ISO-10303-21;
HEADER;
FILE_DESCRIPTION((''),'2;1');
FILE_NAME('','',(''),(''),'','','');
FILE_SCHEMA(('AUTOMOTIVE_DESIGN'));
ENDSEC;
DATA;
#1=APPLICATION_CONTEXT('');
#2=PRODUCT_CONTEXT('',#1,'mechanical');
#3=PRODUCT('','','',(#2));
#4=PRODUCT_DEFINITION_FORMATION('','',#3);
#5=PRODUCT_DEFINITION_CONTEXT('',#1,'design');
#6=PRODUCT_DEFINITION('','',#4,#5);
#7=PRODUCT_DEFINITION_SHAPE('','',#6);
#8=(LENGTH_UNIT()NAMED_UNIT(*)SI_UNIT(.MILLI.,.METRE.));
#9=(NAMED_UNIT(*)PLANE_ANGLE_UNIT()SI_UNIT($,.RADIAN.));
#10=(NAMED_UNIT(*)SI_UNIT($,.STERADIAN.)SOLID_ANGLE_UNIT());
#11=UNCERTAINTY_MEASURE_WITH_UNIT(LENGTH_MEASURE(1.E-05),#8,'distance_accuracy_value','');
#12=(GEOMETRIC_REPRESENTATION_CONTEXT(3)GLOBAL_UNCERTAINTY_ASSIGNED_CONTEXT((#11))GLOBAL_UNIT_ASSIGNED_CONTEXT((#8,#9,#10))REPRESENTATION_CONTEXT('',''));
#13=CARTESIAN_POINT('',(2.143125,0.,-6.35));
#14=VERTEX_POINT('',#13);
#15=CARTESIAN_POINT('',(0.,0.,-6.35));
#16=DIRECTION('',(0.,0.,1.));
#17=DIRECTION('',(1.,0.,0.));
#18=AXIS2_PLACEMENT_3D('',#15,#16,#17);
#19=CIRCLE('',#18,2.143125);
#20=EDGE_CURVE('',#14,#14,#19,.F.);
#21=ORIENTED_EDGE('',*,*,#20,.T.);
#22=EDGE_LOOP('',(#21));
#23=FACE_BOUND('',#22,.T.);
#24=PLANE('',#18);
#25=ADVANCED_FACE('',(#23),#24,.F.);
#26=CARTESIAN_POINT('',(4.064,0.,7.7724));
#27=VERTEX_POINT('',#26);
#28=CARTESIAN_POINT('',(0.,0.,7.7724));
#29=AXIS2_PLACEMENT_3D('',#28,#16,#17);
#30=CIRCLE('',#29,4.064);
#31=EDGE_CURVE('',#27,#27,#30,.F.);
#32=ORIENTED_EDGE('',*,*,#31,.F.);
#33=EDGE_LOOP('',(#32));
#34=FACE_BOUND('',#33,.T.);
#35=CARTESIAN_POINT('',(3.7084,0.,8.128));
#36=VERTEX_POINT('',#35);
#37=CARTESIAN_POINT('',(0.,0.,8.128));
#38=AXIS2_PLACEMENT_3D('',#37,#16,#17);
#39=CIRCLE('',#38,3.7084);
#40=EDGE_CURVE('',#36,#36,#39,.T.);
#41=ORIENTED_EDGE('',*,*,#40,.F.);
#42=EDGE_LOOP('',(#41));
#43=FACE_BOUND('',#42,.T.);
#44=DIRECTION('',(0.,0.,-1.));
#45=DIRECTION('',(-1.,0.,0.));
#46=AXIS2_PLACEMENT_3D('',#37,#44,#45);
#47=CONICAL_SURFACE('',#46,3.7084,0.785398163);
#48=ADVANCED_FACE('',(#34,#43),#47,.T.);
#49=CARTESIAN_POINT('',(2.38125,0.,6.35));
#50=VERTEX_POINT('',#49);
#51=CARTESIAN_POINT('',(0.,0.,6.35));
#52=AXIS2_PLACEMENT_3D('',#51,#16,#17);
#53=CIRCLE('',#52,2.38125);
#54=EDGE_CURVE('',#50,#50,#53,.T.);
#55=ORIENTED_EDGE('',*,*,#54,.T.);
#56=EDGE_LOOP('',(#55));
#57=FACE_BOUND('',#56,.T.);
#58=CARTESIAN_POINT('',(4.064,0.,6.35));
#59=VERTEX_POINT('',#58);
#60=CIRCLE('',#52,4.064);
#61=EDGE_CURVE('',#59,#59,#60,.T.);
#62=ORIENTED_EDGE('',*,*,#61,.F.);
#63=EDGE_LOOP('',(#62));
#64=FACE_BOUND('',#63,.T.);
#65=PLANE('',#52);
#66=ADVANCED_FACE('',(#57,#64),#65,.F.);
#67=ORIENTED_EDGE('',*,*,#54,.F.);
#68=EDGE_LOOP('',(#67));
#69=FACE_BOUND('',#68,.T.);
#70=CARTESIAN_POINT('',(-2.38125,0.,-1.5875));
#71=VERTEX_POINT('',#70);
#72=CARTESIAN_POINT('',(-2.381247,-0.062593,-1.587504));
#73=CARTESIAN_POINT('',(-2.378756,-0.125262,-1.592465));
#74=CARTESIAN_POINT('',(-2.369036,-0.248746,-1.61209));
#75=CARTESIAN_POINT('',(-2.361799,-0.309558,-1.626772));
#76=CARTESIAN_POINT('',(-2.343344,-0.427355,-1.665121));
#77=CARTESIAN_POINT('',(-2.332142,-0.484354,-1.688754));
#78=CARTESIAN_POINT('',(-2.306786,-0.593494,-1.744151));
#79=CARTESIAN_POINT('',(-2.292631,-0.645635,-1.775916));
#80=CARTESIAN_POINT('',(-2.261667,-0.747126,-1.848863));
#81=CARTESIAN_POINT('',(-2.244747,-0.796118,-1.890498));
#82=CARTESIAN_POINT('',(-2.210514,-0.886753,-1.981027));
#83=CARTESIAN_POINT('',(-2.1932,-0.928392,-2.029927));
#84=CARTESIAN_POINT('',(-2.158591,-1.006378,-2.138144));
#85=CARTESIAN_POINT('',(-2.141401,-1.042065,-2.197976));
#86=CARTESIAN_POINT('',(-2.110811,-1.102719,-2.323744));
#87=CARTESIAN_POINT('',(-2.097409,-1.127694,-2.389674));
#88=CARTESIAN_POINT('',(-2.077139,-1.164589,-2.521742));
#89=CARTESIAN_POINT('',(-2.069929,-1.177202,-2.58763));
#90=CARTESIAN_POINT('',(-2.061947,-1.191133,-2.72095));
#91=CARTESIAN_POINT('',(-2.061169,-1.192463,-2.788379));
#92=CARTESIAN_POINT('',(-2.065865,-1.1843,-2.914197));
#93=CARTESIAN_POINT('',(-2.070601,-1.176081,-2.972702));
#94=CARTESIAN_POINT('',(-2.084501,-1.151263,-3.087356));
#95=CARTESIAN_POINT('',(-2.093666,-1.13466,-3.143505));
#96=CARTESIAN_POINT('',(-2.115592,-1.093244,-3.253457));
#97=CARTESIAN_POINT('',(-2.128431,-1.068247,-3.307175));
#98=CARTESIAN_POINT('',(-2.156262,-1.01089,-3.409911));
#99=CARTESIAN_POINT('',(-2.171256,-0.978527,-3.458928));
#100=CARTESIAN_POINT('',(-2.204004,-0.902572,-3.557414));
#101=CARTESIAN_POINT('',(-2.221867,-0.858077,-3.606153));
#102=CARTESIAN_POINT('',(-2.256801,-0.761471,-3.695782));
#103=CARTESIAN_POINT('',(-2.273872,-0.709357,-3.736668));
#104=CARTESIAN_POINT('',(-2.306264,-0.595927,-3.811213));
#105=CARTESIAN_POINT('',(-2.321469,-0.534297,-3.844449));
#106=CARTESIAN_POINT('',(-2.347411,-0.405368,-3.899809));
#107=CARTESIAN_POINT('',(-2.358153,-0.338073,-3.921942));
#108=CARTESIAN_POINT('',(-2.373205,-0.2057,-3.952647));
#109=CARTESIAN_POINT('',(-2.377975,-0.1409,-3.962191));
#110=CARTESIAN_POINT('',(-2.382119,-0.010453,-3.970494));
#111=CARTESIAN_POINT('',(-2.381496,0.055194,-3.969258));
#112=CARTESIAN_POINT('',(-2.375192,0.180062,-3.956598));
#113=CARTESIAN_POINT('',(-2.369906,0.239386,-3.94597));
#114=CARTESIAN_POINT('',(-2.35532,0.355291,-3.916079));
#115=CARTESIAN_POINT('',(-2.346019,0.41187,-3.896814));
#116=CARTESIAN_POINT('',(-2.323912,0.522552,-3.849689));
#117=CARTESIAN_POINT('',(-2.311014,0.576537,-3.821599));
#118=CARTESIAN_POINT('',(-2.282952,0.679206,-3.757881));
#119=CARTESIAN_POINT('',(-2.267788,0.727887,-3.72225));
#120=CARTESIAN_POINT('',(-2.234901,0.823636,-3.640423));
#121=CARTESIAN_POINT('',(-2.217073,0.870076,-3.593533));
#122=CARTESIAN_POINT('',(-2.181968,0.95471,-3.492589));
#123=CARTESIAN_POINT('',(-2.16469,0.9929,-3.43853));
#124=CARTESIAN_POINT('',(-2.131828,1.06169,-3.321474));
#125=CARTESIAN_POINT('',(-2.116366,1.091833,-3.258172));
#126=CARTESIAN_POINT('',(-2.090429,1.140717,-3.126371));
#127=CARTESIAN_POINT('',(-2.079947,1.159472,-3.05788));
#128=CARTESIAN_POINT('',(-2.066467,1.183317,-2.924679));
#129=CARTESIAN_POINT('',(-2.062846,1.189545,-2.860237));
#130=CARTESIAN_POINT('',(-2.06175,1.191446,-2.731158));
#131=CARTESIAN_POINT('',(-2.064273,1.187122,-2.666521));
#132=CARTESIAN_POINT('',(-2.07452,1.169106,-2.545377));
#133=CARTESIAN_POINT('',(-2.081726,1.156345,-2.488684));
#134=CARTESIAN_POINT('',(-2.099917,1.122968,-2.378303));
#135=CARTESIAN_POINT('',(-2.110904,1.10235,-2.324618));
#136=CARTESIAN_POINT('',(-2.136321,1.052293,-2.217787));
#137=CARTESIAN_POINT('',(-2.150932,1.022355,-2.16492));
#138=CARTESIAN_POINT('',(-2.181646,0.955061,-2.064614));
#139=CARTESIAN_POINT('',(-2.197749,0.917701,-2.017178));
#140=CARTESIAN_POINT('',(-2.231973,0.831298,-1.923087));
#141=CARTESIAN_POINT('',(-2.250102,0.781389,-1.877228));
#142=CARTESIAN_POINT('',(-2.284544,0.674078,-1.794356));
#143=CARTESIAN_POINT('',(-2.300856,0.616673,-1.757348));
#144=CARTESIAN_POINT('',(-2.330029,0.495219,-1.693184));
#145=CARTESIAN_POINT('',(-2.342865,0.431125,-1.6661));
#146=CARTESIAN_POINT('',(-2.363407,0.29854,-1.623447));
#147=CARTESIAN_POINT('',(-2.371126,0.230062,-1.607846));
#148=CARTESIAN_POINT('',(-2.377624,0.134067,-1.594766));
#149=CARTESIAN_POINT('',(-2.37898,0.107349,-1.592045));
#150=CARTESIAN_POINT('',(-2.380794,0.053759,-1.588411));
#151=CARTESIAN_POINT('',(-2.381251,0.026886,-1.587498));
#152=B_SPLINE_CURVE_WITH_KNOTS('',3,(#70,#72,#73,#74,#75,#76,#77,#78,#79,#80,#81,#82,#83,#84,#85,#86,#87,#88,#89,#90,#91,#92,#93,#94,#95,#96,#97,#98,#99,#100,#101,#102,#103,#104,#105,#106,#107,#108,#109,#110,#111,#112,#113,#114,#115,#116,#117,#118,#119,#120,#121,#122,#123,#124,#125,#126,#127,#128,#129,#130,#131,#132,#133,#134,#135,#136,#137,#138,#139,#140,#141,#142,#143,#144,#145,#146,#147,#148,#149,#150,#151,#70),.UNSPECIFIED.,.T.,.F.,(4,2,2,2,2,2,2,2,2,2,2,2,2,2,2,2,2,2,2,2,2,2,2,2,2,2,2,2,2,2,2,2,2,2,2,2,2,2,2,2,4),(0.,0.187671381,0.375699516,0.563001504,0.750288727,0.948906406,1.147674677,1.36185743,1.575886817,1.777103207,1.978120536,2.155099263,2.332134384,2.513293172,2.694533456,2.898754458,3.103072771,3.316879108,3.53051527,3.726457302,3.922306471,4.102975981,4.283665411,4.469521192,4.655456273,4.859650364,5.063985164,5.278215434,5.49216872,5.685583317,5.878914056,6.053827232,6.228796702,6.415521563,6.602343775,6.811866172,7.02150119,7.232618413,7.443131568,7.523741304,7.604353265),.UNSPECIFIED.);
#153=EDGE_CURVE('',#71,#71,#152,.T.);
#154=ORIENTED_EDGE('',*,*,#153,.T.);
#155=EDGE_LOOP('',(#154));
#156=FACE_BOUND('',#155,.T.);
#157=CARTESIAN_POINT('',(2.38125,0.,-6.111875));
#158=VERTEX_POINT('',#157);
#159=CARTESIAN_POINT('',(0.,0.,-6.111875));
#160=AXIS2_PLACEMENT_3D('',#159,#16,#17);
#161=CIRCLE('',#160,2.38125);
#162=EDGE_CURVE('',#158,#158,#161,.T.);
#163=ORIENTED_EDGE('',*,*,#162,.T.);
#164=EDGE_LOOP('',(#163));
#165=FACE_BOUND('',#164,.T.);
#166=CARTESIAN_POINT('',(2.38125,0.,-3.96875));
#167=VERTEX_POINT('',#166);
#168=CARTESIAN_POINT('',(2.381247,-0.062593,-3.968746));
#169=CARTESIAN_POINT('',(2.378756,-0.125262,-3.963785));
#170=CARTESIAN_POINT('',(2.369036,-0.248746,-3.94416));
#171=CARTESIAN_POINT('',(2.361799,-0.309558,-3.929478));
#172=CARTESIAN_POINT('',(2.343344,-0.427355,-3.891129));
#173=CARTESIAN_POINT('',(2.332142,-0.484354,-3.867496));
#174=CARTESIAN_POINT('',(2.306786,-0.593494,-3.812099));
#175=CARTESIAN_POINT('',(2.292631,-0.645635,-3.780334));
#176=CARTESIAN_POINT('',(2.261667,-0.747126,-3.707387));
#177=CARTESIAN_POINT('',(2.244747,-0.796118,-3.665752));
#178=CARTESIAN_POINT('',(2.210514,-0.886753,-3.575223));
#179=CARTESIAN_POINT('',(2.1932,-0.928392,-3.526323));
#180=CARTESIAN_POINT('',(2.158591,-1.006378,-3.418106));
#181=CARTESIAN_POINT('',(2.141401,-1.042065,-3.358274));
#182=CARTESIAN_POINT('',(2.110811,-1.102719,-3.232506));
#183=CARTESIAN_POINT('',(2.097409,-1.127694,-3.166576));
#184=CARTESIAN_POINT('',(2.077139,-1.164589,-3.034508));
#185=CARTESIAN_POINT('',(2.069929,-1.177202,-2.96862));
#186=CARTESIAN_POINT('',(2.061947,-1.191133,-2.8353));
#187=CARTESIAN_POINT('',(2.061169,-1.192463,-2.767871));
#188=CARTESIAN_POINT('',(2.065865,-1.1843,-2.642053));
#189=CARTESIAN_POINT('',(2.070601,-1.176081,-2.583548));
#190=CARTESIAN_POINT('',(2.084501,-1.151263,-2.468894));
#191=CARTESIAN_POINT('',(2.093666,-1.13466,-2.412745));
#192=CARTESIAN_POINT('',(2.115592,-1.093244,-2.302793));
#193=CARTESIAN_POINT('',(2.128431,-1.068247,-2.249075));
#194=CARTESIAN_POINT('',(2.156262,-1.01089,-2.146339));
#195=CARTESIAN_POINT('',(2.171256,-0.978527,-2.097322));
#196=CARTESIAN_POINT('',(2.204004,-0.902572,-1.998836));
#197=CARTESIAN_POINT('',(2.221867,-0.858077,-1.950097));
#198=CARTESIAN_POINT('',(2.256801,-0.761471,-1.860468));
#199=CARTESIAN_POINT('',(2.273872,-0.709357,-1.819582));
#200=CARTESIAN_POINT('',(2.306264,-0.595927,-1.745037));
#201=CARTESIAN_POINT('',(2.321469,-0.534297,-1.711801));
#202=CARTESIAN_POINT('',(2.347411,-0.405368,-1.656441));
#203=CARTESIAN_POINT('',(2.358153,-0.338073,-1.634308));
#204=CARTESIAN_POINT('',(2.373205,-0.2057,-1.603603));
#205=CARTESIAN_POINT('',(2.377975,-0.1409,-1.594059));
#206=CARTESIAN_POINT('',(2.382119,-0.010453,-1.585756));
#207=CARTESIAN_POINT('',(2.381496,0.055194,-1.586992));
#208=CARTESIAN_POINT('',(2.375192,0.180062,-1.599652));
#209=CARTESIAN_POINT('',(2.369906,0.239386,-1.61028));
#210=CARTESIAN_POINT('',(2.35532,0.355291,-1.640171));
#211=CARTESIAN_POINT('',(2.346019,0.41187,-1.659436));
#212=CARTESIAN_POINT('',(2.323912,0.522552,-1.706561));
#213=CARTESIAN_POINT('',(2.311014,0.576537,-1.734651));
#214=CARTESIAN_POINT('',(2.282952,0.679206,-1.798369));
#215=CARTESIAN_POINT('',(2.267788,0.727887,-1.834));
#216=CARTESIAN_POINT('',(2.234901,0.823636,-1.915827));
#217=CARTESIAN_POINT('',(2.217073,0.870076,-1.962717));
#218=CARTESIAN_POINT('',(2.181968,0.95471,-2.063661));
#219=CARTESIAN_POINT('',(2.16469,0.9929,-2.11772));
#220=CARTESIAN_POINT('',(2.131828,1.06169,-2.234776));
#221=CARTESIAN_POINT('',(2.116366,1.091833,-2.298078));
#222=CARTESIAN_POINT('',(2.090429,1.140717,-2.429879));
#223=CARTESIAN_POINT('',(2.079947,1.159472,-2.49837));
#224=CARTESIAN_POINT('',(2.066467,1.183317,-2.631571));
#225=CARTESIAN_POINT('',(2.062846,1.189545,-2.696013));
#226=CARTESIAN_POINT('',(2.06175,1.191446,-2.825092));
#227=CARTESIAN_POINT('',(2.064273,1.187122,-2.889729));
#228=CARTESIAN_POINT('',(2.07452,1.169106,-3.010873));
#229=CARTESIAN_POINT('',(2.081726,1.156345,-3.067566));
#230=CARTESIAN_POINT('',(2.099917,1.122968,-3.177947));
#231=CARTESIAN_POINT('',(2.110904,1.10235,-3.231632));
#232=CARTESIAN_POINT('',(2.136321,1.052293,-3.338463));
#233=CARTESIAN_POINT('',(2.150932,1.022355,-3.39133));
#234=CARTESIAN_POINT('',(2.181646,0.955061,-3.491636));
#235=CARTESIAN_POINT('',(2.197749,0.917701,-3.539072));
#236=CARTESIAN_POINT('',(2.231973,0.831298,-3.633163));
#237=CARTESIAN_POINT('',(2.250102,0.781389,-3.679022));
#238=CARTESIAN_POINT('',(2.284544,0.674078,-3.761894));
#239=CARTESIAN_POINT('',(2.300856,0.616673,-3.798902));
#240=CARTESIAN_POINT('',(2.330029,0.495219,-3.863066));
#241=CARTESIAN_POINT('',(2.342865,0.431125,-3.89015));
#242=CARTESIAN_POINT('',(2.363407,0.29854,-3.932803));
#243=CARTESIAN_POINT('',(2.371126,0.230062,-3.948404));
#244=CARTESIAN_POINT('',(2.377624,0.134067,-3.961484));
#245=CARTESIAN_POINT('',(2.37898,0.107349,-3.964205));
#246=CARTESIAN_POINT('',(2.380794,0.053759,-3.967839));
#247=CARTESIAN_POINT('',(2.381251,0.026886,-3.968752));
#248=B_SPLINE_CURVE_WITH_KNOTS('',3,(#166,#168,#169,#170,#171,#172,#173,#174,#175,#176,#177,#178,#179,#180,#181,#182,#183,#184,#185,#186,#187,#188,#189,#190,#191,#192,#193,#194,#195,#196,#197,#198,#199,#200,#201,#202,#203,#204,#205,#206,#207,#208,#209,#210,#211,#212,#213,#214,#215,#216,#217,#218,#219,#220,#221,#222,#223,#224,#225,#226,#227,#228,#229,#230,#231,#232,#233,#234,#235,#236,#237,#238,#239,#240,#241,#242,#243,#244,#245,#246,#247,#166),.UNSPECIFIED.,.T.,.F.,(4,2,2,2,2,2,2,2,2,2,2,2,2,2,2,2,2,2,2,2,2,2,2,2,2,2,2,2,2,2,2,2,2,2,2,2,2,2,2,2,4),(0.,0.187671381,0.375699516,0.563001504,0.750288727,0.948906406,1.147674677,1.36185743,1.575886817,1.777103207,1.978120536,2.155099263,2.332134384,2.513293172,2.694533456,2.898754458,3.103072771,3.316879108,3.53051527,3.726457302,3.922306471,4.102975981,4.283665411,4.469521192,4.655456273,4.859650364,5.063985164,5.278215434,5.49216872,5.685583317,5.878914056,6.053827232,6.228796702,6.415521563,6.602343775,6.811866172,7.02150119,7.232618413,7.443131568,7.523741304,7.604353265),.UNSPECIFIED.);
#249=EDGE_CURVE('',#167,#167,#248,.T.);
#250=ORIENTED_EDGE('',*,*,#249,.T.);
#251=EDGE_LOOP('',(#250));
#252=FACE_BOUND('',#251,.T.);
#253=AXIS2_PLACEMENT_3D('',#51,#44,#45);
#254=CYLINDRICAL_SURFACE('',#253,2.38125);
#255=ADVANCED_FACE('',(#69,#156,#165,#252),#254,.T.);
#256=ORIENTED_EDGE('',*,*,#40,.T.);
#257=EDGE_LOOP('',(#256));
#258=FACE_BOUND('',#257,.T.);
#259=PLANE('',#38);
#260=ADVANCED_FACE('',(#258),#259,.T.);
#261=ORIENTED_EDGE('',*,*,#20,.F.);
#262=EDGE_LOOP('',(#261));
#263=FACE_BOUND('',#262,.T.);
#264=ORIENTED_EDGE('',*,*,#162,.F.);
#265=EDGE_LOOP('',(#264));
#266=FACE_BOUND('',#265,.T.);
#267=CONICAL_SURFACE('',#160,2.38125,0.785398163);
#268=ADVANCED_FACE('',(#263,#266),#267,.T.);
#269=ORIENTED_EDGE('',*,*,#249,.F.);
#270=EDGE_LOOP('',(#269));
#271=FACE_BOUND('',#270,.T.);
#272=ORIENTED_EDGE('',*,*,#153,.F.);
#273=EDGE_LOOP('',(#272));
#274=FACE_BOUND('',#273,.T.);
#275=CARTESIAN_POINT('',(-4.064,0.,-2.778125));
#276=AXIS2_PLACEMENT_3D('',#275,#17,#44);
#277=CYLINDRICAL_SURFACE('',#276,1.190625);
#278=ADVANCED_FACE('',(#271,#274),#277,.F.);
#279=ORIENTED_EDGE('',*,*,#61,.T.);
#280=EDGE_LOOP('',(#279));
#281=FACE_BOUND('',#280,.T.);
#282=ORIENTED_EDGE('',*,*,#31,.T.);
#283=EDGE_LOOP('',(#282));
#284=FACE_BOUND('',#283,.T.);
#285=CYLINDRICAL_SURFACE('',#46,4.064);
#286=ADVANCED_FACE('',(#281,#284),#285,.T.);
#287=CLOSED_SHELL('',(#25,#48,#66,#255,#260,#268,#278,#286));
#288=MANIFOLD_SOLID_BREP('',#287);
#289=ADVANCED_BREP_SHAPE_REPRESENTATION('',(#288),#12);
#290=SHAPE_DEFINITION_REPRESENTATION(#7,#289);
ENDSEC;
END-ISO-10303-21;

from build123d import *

# Parameters (mm, degrees)
SKETCH1_R           = 2.38125
EXTRUDE1_DEPTH      = 6.35
SKETCH2_R           = 4.064
EXTRUDE2_DEPTH      = 1.778
CHAMFER1_SIZE       = 0.3556
SKETCH3_R           = 1.190625
EXTRUDE3_DEPTH      = 5.064
EXTRUDE3_DEPTH_BACK = 5.064
CHAMFER2_SIZE       = 0.238125


with BuildPart() as part:
    # Sketch1 → Extrude1 (new body, symmetric)
    with BuildSketch(Plane.XY):
        Circle(SKETCH1_R)
    extrude(amount=EXTRUDE1_DEPTH, both=True)

    # Sketch2 → Extrude2 (add)
    with BuildSketch(Plane.XY.offset(6.35)):
        Circle(SKETCH2_R)
    extrude(amount=EXTRUDE2_DEPTH)

    # Chamfer1
    chamfer1_edges = [part.edges().sort_by_distance(p)[0] for p in [
        (-4.064, 0, 8.128),
    ]]
    chamfer(chamfer1_edges, length=CHAMFER1_SIZE)

    # Sketch3 → Extrude3 (cut, two sides)
    with BuildSketch(Plane(origin=(0, 0, 0), x_dir=(0, 0, -1), z_dir=(1, 0, 0))) as extrude3_sk:
        with Locations((2.778125, 0)):
            Circle(SKETCH3_R)
    extrude(amount=EXTRUDE3_DEPTH, mode=Mode.SUBTRACT)
    extrude(extrude3_sk.sketch, amount=-EXTRUDE3_DEPTH_BACK, mode=Mode.SUBTRACT)

    # Chamfer2
    chamfer2_edges = [part.edges().sort_by_distance(p)[0] for p in [
        (-2.38125, 0, -6.35),
    ]]
    chamfer(chamfer2_edges, length=CHAMFER2_SIZE)


solid = part.part
